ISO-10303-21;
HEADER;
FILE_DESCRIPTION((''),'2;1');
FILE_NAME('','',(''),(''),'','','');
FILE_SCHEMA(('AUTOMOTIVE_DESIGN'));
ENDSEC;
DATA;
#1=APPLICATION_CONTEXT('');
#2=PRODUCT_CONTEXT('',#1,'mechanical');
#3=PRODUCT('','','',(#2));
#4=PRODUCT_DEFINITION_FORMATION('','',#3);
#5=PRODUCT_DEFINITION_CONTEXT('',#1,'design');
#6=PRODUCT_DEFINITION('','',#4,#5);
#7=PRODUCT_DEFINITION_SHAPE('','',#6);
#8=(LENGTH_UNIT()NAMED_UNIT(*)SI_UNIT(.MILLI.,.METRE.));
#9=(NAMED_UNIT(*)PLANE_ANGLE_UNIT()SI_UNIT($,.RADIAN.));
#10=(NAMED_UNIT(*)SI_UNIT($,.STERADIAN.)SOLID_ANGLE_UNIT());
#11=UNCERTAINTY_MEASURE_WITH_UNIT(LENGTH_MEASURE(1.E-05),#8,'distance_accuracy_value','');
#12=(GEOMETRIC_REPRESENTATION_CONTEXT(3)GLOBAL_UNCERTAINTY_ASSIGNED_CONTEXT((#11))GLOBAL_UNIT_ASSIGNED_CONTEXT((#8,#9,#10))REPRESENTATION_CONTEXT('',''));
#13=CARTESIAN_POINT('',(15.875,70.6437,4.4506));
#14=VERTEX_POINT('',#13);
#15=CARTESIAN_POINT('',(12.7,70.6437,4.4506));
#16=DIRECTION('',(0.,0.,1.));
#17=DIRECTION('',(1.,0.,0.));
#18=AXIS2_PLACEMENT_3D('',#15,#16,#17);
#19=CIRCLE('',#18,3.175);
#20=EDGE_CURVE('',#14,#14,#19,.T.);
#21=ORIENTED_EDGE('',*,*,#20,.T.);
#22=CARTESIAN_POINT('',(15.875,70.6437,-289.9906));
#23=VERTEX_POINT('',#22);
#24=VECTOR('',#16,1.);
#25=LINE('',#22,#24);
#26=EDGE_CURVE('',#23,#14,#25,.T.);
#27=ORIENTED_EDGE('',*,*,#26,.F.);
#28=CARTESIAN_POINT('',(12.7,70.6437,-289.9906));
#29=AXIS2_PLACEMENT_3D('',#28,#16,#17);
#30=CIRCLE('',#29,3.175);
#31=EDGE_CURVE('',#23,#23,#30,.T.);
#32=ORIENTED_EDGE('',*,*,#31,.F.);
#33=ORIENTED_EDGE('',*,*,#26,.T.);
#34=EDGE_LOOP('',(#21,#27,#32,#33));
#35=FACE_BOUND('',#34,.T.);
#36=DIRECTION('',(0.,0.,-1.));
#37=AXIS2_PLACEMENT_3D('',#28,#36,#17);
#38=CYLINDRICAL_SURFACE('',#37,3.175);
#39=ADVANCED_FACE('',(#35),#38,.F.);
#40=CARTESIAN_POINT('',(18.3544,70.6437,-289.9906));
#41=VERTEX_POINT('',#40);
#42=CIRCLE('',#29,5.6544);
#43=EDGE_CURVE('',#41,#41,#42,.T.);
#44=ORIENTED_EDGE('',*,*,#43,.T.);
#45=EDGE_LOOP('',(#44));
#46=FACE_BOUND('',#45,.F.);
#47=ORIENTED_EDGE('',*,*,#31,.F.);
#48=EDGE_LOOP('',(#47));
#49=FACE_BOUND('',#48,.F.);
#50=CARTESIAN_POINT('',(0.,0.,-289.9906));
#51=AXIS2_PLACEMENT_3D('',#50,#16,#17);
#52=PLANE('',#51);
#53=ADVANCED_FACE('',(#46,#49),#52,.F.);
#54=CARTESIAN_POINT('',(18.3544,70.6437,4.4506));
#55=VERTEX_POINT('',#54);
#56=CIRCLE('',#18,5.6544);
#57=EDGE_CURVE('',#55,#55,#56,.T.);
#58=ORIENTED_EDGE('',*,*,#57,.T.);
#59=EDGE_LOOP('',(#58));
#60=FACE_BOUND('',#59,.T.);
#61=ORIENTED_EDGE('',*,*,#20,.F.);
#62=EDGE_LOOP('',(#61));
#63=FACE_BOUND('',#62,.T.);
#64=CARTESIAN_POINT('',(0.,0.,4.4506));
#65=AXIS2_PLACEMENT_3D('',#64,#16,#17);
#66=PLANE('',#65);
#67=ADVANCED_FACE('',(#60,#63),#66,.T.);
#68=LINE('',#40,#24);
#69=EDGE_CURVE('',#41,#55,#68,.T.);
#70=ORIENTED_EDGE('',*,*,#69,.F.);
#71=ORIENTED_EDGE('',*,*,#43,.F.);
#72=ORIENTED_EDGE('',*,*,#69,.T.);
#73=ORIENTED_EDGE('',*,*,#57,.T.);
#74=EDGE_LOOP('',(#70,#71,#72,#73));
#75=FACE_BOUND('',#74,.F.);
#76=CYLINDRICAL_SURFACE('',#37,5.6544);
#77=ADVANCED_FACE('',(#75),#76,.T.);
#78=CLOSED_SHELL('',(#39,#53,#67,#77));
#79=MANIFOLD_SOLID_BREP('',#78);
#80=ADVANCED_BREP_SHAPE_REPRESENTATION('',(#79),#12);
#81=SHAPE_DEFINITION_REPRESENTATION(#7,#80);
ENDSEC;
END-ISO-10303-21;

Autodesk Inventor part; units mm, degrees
ref_plane "YZ Plane" through (0, 0, 0) normal (1, 0, 0) x (0, 1, 0)
ref_plane "XZ Plane" through (0, 0, 0) normal (0, 1, 0) x (-1, 0, 0)
ref_plane "Work Plane1" through (0, 0, -289.9906) normal (0, 0, 1) x (1, 0, 0)
sketch "Sketch1" plane through (0, 0, -289.9906) normal (0, 0, 1) x (1, 0, 0)
  circle A0 centre (12.7, 70.6437) radius 3.175 projected
  circle A1 centre (12.7, 167.1637) radius 3.175 projected
  line L0 (25.4, 0) -> (0, 0) projected
  line L1 (25.4, 0) -> (25.4, 237.8075) projected
  line L2 (0, 237.8075) -> (25.4, 237.8075) projected
  line L3 (0, 0) -> (0, 237.8075) projected
  circle A2 centre (12.7, 70.6437) radius 5.6544
ref_plane "Work Plane2" through (-6.2061, 45.3877, 4.4506) normal (0, 0, -1) x (0.3131, 0.9497, 0)
extrude "Extrusion1" add sketch "Sketch1" along normal up to surface (294.4412 mm away) contours A2
properties part number "short spacer"
